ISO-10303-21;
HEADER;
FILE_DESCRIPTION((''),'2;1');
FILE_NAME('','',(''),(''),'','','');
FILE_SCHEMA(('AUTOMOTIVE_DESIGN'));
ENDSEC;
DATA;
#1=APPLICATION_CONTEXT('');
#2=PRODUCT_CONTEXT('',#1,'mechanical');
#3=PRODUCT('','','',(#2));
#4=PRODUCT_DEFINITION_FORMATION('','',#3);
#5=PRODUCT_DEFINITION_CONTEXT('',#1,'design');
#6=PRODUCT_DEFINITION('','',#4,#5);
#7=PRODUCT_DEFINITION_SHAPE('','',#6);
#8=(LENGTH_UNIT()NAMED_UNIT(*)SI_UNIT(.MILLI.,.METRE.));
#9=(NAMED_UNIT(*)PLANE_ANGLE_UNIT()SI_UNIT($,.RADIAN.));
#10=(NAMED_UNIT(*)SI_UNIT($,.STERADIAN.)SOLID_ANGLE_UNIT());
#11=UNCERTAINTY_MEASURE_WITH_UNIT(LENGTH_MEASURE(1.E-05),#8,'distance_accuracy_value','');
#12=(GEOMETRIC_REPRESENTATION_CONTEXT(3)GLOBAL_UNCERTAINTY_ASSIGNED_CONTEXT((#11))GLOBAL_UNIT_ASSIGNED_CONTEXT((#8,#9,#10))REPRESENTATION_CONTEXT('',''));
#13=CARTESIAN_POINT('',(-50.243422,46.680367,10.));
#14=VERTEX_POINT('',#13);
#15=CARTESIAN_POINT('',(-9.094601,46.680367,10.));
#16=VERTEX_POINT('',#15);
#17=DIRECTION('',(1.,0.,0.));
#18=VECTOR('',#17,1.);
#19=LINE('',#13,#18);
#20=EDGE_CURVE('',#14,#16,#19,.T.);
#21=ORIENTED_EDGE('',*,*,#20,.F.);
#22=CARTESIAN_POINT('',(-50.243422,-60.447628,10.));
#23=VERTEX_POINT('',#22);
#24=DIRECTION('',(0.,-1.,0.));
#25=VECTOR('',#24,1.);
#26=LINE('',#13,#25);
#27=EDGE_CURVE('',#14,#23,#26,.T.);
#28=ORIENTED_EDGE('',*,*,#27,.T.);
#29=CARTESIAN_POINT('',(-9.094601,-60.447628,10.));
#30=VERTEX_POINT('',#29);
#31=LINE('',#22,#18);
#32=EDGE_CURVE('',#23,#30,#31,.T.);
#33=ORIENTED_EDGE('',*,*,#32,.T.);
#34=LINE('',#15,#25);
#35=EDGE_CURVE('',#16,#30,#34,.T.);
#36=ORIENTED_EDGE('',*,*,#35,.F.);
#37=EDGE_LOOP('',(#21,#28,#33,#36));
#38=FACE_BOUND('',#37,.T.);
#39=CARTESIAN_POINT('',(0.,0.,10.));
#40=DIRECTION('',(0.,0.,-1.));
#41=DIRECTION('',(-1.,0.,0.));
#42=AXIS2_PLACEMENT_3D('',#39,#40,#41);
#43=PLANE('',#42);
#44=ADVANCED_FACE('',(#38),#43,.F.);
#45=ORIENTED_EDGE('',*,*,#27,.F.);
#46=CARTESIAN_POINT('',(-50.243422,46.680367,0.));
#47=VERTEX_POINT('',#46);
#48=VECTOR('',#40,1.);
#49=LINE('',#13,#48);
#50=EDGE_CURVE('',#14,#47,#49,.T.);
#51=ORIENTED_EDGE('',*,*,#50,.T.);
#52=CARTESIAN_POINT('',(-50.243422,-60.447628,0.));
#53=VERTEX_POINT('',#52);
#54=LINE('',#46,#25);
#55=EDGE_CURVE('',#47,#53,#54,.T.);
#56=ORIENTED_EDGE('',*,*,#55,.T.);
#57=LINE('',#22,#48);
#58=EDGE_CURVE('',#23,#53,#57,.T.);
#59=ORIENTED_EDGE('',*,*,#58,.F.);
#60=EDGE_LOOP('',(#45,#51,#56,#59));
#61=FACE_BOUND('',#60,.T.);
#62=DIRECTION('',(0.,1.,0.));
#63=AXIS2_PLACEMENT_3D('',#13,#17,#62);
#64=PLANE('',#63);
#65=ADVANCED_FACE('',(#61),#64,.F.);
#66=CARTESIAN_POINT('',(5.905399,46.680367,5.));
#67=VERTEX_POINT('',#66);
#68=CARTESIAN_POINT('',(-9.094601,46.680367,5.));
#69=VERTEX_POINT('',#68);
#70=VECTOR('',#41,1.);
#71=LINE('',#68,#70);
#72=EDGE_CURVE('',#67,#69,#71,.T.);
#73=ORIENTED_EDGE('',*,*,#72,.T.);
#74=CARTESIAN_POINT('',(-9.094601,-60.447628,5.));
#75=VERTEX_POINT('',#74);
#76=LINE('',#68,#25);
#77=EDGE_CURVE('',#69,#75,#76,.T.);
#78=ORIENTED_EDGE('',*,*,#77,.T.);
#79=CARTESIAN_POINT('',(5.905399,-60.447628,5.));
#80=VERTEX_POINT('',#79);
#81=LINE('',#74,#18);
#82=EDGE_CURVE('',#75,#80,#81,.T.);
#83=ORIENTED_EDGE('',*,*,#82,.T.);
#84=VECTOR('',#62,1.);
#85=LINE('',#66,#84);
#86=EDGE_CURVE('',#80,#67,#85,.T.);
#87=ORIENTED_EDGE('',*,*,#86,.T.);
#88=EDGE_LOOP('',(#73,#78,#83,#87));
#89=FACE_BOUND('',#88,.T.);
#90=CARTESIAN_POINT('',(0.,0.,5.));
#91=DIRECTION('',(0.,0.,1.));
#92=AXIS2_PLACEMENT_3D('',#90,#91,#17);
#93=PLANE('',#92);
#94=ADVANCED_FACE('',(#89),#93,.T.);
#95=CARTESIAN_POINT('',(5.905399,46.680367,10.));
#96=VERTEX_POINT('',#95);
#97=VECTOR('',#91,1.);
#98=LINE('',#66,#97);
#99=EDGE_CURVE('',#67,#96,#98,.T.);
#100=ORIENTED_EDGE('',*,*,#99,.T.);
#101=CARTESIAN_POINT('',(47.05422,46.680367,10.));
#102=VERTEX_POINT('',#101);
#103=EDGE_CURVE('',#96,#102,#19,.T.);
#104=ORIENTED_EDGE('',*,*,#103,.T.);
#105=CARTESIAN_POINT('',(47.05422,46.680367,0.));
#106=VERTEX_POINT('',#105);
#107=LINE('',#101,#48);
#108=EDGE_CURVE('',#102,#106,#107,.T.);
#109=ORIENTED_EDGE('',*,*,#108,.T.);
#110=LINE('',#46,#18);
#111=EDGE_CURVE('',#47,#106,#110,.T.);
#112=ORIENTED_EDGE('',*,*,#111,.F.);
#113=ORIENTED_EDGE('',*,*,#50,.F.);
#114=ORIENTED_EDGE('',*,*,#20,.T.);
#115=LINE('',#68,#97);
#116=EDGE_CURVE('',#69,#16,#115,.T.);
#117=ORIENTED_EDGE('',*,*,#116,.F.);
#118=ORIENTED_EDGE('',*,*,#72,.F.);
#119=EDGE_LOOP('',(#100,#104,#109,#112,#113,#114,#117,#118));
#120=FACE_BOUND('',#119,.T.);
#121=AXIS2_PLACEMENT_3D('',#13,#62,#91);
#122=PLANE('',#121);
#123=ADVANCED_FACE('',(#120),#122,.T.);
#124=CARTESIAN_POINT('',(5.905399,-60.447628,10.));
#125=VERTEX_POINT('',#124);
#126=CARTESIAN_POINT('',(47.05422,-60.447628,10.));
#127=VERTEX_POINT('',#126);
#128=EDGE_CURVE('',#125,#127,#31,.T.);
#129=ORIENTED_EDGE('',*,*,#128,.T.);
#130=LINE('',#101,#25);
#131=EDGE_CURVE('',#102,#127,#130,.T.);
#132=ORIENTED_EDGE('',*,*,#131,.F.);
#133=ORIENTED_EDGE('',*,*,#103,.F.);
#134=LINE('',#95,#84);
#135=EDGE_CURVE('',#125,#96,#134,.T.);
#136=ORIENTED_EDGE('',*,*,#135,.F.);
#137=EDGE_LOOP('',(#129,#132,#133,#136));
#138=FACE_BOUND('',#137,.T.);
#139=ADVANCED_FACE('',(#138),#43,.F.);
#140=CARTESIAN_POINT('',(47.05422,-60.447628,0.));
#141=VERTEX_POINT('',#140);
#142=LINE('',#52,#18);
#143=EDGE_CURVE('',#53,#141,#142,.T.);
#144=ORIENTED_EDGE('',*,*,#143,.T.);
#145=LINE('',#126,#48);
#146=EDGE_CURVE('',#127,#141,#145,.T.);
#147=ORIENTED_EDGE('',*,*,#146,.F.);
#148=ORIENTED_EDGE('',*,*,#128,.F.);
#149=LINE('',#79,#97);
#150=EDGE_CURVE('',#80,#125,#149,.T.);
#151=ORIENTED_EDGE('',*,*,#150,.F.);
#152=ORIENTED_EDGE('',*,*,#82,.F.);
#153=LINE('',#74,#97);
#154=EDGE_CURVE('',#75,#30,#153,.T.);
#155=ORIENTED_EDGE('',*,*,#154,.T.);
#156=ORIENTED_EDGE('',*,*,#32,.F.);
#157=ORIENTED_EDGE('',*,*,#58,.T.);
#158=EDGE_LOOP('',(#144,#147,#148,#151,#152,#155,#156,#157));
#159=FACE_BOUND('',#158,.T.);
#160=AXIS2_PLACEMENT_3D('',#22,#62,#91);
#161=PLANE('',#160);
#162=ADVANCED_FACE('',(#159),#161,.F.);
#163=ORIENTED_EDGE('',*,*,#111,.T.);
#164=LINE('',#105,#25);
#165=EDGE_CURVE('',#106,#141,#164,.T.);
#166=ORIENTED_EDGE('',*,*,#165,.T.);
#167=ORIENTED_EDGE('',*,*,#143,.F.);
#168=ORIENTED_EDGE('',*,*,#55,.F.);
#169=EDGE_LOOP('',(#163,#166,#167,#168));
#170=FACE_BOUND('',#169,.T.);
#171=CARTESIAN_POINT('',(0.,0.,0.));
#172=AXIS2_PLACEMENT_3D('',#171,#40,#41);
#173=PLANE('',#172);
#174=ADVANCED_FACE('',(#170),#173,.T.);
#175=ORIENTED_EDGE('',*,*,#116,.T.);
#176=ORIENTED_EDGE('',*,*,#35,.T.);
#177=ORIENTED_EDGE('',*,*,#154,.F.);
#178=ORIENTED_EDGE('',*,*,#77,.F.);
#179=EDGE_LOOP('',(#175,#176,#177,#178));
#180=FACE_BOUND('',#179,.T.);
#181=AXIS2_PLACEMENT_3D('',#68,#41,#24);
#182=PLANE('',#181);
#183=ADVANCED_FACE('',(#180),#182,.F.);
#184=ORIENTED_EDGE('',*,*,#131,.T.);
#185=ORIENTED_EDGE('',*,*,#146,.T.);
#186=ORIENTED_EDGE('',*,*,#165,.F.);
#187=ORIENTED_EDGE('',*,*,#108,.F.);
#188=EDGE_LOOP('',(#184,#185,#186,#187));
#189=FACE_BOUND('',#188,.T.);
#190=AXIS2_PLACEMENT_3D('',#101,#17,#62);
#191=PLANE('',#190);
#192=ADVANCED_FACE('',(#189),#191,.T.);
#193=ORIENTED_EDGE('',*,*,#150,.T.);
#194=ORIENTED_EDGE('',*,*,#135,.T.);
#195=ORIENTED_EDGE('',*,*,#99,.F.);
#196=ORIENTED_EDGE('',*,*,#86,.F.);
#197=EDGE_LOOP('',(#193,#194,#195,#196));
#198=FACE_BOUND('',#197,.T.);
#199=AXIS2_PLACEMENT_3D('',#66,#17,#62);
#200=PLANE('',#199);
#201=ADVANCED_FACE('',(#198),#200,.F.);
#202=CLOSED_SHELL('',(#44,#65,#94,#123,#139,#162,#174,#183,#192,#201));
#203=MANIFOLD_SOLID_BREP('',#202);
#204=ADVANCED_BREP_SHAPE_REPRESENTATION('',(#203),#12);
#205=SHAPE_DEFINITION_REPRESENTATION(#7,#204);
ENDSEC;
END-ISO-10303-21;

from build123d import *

# Parameters (mm, degrees)
SKETCH1_W           = 97.297641781
SKETCH1_H           = 107.127995433
BOSS_EXTRUDE2_DEPTH = 10
SKETCH2_W           = 15
SKETCH2_H           = 107.127995433
CUT_EXTRUDE1_DEPTH  = 5


with BuildPart() as part:
    # Sketch1 → Boss-Extrude2 (new body)
    with BuildSketch(Plane.XY):
        with Locations((-1.594600756, -6.883630768)):
            Rectangle(SKETCH1_W, SKETCH1_H)
    extrude(amount=BOSS_EXTRUDE2_DEPTH)

    # Sketch2 → Cut-Extrude1 (cut)
    with BuildSketch(Plane.XY.offset(10)):
        with Locations((-1.594600756, -6.883630768)):
            Rectangle(SKETCH2_W, SKETCH2_H)
    extrude(amount=-CUT_EXTRUDE1_DEPTH, mode=Mode.SUBTRACT)


solid = part.part
